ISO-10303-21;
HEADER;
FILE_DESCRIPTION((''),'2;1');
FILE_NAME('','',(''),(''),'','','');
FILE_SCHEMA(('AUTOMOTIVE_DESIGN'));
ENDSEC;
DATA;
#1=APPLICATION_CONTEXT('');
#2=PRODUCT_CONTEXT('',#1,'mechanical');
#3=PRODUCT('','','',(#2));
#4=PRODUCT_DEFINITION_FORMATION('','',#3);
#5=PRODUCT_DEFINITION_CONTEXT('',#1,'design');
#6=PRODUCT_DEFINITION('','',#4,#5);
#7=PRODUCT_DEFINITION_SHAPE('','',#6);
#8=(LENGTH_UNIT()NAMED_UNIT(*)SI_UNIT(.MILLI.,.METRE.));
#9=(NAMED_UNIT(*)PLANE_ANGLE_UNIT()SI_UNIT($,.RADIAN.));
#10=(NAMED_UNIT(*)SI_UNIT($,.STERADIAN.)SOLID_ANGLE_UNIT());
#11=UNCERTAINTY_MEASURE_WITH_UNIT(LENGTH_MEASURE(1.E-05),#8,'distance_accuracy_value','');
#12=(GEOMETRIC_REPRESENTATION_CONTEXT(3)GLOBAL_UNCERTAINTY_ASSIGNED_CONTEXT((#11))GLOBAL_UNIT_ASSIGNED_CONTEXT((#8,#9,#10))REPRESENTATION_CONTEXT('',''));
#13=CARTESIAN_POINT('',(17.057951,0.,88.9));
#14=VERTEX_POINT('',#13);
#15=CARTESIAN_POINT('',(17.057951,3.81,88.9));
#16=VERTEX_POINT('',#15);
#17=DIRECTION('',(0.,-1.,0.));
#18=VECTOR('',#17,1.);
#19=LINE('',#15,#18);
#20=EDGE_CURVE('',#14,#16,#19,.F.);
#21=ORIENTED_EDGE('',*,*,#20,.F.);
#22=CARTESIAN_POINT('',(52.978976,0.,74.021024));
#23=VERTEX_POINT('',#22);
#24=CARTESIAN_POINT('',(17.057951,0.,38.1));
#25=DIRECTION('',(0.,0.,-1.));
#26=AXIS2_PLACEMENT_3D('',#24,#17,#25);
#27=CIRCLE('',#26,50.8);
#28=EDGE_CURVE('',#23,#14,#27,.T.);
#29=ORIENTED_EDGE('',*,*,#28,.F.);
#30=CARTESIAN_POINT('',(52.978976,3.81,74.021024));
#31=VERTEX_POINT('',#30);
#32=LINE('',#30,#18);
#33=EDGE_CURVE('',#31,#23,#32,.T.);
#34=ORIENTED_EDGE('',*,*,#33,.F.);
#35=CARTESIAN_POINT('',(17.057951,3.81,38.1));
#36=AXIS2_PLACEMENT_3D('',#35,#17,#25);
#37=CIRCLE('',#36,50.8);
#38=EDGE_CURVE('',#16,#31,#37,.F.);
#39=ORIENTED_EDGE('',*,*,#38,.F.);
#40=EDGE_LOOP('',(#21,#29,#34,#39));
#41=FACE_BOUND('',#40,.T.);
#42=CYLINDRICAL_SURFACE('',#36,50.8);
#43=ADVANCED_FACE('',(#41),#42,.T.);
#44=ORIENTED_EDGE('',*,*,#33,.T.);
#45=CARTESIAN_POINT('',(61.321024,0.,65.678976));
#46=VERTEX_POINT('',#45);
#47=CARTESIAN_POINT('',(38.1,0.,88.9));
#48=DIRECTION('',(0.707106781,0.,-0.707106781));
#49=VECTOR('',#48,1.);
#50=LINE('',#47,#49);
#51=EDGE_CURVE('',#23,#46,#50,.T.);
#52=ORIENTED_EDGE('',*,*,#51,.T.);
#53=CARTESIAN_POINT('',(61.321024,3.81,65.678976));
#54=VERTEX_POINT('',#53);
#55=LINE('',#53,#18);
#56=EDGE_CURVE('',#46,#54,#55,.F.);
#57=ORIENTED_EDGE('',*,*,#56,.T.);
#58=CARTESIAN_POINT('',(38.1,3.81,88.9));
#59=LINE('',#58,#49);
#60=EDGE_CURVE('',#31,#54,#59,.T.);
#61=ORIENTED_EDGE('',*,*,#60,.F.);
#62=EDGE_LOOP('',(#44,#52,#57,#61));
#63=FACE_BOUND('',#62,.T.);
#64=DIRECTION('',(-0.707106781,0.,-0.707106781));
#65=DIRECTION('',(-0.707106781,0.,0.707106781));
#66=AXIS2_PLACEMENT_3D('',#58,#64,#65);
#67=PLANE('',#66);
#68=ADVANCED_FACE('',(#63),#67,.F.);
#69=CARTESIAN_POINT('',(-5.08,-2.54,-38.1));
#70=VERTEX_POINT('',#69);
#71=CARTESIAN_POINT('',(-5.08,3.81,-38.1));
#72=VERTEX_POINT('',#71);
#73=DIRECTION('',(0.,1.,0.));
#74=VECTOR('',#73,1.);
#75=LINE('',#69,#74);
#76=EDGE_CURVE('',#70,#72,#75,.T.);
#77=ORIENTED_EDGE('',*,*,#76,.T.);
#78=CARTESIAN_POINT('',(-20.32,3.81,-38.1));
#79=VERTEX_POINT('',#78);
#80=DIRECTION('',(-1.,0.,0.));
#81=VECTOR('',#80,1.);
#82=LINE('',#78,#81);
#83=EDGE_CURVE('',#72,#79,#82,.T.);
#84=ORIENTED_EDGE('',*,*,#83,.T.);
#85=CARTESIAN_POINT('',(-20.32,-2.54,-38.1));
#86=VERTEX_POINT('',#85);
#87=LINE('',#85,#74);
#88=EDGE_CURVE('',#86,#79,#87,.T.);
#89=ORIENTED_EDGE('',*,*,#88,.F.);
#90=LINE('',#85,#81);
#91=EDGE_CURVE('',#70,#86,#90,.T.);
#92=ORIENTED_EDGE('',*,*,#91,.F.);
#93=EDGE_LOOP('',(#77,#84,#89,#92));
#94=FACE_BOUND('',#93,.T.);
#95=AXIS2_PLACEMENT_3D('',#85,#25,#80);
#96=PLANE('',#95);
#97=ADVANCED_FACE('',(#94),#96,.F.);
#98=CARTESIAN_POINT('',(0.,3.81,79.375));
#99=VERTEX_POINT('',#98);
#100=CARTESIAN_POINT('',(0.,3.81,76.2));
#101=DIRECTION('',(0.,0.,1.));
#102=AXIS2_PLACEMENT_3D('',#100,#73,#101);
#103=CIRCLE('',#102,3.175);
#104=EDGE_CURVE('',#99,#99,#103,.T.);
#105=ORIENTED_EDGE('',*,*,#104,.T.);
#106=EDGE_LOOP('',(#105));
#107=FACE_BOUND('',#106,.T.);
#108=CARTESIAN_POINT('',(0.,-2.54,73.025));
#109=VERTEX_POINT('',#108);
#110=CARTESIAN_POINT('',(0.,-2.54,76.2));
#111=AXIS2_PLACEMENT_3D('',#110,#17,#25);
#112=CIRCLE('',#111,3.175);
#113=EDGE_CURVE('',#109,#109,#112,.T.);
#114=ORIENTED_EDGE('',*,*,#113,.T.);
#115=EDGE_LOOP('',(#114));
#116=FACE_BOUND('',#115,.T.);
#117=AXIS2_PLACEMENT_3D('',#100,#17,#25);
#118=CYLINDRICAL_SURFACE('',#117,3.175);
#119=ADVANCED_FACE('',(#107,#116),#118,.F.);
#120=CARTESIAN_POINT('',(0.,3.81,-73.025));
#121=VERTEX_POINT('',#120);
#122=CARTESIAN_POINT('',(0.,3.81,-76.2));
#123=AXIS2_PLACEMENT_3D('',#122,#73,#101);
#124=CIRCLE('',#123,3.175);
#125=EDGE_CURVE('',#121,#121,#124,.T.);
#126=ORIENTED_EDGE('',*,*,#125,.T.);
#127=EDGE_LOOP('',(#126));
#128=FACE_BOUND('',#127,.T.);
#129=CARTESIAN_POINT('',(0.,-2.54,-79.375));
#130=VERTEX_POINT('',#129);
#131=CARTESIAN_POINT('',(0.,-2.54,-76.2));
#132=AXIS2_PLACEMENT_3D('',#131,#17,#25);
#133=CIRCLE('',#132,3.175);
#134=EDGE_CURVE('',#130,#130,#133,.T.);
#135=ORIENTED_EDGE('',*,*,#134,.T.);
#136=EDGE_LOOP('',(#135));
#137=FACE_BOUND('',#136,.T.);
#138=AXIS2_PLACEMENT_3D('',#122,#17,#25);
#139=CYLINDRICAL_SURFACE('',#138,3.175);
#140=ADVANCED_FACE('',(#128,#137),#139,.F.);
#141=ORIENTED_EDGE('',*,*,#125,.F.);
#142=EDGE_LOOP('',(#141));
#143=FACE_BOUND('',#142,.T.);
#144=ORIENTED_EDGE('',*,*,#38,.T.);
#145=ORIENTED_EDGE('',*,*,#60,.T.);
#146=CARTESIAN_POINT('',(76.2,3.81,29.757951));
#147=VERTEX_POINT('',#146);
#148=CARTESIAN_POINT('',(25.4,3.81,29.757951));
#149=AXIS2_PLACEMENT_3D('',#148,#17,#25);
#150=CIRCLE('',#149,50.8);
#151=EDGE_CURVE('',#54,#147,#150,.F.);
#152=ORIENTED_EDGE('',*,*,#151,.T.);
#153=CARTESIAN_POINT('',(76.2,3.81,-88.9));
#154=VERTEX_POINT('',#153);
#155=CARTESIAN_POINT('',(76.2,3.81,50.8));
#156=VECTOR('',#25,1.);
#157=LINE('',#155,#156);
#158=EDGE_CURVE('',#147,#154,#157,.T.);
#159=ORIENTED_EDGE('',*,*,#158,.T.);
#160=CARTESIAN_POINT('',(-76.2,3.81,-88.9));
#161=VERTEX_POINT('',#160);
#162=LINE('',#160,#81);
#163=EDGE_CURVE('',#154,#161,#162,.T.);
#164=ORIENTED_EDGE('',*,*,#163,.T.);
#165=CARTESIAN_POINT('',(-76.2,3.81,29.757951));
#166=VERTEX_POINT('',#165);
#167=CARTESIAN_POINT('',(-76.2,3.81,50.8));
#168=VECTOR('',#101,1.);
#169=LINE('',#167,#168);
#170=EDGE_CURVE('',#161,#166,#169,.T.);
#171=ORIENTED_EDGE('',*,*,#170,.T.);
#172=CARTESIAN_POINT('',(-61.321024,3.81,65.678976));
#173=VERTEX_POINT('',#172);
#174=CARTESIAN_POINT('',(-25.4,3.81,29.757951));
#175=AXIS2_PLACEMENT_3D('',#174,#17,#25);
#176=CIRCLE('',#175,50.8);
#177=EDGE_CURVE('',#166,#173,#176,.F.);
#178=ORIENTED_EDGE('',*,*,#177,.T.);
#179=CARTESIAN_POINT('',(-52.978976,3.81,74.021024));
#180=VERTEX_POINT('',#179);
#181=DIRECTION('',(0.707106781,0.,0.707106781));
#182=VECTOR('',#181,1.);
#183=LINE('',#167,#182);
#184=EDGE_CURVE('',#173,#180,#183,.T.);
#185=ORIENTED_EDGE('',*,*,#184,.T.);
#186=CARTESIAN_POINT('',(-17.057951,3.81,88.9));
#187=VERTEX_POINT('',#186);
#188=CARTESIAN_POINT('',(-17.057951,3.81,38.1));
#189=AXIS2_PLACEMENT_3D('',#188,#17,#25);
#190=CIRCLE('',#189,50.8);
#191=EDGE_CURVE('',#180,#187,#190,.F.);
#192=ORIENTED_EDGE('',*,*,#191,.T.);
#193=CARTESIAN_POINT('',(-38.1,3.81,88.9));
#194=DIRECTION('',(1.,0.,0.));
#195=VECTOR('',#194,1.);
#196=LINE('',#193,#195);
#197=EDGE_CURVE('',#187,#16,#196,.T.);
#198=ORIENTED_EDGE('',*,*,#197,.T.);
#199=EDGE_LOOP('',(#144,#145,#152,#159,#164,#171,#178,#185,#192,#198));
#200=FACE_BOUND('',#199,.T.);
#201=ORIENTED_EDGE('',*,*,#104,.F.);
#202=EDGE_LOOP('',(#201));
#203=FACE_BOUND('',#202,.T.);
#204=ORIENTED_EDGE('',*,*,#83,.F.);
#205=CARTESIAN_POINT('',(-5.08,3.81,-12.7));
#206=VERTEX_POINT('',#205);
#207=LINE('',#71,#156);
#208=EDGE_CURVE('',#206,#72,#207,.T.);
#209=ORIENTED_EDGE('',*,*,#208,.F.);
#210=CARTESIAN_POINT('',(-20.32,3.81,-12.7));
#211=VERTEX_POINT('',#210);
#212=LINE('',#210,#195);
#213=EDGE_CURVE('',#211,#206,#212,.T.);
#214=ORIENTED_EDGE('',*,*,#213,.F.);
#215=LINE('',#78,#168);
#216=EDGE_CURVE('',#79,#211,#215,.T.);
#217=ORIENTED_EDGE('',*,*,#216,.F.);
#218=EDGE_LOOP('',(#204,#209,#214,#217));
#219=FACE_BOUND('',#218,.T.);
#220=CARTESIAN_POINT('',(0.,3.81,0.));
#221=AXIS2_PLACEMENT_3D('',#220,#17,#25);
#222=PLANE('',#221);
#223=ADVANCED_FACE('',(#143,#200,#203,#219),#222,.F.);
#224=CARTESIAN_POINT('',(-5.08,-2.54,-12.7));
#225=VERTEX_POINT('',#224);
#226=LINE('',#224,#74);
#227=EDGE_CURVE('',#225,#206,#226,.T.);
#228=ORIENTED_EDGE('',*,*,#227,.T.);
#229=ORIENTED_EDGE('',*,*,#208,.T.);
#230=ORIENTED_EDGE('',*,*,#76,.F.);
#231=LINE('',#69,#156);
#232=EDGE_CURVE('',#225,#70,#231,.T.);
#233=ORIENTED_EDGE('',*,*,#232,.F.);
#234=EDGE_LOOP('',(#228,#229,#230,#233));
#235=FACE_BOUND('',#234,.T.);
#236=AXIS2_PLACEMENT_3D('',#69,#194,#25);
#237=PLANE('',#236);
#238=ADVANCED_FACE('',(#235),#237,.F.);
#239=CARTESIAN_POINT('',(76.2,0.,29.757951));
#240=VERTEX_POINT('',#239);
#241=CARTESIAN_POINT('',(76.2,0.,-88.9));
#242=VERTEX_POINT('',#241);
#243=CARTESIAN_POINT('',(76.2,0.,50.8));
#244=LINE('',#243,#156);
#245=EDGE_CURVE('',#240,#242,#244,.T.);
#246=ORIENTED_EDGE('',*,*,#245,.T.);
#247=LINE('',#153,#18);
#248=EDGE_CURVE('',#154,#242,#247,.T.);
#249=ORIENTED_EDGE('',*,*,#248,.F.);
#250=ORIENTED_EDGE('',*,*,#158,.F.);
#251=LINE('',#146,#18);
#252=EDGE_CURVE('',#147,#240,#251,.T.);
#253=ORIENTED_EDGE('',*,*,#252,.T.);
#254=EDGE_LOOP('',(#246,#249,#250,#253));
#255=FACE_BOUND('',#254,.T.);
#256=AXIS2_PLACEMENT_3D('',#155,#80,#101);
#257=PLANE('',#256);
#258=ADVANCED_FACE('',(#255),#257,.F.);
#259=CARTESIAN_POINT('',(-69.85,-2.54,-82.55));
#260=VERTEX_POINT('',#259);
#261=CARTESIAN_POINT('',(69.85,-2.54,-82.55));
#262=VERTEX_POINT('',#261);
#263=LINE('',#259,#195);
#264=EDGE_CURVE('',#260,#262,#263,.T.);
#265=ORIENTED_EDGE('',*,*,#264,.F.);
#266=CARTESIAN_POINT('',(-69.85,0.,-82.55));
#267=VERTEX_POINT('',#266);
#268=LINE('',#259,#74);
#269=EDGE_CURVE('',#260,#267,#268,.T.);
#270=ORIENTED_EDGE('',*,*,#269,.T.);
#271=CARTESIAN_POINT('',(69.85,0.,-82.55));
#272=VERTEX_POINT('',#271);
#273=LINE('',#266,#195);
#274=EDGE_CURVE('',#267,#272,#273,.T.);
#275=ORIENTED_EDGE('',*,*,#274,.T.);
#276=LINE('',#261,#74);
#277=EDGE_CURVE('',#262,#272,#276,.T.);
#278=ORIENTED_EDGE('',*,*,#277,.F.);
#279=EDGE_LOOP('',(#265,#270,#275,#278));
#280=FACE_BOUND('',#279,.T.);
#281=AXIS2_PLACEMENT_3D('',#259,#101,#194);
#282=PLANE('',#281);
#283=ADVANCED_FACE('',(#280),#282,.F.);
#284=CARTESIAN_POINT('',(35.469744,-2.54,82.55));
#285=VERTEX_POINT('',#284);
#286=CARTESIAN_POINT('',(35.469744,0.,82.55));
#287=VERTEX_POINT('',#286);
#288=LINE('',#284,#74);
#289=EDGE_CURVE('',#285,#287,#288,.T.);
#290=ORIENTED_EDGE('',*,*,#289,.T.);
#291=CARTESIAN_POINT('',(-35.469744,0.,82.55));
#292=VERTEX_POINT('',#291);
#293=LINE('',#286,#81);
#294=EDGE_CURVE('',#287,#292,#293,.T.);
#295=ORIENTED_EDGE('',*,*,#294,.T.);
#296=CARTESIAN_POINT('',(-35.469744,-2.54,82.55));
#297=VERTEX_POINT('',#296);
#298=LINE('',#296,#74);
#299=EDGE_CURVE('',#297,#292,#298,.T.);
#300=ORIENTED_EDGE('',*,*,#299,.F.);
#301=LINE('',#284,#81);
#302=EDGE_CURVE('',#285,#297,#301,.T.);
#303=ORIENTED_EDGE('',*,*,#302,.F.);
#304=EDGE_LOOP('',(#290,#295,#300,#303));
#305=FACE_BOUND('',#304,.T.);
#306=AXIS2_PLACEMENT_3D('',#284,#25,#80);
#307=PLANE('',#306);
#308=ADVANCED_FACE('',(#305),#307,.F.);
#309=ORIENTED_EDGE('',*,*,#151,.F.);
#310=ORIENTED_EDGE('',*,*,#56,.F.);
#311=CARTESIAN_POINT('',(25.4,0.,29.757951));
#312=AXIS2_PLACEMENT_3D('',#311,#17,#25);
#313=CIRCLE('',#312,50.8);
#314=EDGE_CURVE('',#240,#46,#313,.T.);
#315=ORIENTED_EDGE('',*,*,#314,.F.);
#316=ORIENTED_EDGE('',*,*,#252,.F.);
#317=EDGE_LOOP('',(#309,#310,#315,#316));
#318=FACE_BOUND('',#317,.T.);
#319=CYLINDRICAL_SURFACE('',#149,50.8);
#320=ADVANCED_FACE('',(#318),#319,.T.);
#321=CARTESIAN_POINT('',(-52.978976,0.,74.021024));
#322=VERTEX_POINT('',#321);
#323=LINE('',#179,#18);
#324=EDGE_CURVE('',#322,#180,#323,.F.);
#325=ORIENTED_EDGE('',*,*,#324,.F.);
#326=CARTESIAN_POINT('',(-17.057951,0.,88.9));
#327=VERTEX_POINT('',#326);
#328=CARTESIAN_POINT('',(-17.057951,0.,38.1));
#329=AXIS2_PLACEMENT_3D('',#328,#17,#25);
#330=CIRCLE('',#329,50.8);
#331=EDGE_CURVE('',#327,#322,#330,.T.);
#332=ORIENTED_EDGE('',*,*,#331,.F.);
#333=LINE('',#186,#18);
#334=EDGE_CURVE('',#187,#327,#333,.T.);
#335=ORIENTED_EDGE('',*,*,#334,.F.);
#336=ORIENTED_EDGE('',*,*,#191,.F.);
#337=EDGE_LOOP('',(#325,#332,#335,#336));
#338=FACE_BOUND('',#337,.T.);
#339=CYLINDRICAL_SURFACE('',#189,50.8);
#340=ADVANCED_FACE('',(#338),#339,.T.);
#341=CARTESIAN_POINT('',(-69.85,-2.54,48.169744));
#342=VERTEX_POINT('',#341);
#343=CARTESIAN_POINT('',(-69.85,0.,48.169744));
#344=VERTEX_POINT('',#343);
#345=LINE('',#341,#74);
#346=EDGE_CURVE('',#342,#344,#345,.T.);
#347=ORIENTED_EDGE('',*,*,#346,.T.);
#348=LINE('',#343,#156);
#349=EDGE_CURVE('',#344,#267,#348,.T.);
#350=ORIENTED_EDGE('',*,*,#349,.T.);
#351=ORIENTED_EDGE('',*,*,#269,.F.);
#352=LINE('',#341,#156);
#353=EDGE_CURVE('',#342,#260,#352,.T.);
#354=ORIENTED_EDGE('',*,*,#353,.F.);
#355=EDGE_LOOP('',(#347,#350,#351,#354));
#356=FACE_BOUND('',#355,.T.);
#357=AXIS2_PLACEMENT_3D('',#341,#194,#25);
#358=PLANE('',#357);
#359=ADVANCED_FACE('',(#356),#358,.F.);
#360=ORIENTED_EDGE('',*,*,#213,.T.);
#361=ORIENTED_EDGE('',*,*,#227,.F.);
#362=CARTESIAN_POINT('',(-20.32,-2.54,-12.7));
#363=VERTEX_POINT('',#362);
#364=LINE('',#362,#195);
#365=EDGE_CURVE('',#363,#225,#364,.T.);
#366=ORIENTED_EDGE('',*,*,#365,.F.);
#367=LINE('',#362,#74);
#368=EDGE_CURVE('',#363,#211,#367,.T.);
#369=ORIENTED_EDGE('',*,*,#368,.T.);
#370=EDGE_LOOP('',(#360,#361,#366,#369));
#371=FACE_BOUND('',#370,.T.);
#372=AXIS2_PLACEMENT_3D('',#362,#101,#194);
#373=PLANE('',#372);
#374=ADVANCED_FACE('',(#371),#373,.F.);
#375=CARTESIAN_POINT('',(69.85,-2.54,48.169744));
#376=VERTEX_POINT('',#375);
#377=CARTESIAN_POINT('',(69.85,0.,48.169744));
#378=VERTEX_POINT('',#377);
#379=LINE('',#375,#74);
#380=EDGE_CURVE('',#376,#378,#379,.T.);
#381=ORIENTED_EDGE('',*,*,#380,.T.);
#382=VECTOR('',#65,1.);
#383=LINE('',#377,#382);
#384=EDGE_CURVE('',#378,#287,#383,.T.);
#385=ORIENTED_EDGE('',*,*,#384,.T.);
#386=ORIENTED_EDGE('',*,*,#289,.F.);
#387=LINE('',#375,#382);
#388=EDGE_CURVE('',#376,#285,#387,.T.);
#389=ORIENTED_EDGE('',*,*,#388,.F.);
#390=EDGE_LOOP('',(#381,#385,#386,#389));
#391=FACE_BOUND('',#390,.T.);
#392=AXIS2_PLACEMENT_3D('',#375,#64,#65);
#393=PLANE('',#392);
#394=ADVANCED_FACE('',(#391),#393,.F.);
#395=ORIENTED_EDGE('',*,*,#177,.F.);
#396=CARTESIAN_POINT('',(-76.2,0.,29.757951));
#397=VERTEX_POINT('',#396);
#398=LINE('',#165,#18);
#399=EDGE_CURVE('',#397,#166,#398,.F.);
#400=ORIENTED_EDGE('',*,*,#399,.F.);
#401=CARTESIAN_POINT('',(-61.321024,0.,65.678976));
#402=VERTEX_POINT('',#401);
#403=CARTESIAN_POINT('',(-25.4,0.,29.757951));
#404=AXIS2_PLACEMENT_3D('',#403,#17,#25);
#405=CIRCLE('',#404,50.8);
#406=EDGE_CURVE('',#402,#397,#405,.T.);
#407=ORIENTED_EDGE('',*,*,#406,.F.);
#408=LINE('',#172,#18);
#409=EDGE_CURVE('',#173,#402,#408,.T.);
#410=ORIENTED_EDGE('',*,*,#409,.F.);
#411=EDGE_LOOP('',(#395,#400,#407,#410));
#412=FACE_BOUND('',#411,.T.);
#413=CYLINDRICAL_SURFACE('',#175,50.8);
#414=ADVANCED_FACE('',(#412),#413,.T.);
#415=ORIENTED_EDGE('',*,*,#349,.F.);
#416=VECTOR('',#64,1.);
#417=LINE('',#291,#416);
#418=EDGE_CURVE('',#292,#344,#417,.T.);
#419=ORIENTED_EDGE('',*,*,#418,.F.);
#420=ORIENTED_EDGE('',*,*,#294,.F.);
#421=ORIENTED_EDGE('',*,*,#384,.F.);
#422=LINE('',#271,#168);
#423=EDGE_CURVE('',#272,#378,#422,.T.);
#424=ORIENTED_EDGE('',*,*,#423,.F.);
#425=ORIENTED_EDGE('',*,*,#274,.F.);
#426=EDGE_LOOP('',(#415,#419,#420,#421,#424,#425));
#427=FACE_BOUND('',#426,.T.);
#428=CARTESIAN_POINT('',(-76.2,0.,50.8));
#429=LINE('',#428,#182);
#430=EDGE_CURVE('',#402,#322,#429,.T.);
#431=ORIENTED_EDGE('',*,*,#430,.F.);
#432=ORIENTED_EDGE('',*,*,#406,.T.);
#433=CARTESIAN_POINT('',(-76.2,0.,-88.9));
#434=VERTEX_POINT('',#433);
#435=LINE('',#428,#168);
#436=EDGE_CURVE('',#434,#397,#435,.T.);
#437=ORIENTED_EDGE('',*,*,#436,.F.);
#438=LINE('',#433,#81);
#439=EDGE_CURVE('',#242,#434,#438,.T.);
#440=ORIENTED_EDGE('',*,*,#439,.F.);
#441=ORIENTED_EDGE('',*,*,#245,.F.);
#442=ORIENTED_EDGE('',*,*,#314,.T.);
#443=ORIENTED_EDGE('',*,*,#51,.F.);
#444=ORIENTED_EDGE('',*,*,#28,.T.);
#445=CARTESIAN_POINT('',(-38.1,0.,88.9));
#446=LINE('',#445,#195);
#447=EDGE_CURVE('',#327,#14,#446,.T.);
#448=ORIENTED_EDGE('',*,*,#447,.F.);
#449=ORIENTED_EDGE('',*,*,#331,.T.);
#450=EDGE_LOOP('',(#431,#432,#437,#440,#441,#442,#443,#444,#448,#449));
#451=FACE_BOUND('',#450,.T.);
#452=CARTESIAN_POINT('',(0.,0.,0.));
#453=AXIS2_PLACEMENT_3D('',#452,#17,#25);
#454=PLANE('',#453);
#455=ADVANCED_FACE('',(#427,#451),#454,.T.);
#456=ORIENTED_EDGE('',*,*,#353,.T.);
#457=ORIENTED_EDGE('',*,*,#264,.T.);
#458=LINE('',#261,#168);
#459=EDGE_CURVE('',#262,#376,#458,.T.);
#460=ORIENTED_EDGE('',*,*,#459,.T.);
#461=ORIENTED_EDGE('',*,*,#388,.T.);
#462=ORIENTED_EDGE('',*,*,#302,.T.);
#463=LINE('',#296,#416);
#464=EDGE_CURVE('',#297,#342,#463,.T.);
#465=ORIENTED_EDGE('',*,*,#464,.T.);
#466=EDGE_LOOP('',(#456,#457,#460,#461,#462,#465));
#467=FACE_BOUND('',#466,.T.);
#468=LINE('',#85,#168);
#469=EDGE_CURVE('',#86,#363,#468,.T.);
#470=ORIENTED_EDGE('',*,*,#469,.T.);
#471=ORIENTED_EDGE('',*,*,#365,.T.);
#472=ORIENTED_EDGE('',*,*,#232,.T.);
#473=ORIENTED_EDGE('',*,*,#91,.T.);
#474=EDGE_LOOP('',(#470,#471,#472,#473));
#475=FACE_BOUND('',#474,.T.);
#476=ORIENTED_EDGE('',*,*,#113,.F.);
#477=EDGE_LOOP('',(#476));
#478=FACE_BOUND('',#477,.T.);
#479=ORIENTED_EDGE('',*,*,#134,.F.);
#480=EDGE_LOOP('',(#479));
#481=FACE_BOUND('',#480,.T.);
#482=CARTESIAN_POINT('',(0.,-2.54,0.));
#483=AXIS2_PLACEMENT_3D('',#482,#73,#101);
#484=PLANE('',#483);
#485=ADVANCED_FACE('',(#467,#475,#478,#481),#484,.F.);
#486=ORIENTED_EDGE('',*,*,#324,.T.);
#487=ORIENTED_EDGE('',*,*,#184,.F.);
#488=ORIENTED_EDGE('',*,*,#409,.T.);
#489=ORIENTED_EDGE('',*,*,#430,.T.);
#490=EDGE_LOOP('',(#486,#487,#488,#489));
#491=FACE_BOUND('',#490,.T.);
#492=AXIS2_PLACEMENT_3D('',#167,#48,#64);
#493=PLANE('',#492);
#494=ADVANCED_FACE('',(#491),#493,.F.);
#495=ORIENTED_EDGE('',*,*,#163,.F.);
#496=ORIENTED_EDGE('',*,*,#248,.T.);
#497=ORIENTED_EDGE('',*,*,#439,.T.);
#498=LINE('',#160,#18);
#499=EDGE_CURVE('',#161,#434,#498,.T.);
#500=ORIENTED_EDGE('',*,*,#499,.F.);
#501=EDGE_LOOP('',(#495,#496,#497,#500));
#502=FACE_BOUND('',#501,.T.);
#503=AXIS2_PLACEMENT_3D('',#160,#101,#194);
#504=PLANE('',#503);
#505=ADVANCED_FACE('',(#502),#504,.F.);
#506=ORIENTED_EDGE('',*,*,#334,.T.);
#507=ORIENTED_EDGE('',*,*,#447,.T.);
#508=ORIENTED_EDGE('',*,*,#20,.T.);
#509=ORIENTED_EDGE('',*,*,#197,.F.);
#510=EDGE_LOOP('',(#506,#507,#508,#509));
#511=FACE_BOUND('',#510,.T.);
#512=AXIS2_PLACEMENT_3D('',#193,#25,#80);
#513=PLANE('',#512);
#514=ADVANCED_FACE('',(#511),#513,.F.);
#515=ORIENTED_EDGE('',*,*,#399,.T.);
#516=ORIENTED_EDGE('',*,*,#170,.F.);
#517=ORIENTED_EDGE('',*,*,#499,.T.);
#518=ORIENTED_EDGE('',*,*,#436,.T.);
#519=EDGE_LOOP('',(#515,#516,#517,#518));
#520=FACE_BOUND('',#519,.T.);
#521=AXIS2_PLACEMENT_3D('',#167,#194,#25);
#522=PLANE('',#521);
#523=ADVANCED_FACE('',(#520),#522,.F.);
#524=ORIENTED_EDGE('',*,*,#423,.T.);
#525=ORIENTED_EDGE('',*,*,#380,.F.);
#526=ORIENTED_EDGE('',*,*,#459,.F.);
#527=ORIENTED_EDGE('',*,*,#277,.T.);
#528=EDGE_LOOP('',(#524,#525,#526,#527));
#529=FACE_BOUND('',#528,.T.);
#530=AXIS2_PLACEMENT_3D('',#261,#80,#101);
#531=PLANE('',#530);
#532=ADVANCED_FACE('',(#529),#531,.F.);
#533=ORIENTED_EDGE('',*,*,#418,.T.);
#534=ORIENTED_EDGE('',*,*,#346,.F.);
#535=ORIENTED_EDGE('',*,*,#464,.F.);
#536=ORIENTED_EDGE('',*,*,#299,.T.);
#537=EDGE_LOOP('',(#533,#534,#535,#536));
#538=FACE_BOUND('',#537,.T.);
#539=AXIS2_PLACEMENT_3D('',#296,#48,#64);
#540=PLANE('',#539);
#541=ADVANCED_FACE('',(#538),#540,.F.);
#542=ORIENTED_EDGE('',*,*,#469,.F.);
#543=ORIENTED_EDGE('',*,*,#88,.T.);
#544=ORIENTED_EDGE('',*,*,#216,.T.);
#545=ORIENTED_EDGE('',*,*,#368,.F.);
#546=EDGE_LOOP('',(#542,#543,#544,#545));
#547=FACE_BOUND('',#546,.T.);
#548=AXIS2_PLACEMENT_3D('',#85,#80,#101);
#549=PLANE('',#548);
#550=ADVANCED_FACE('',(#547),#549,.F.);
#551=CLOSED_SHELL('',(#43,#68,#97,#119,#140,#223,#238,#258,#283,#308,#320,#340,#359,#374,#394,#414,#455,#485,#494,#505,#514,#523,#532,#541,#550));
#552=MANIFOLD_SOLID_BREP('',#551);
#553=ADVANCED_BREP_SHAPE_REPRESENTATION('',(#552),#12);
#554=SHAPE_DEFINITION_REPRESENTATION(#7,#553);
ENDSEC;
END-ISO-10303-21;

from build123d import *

# Parameters (mm, degrees)
SKETCH1_R           = 3.175
BOSS_EXTRUDE1_DEPTH = 3.81
SKETCH2_R           = 3.175
BOSS_EXTRUDE2_DEPTH = 2.54
FILLET1_R           = 50.8
SKETCH3_W           = 15.24
SKETCH3_H           = 25.4
CUT_EXTRUDE1_DEPTH  = 7.35


with BuildPart() as part:
    # Sketch1 → Boss-Extrude1 (new body)
    with BuildSketch(Plane(origin=(0, 0, 0), x_dir=(1, 0, 0), z_dir=(0, 1, 0))):
        Polygon((-76.2, -50.8), (-38.1, -88.9), (38.1, -88.9), (76.2, -50.8), (76.2, 88.9), (-76.2, 88.9), align=None)
        with Locations((0, 76.2)):
            Circle(SKETCH1_R, mode=Mode.SUBTRACT)
        with Locations((0, -76.2)):
            Circle(SKETCH1_R, mode=Mode.SUBTRACT)
    extrude(amount=BOSS_EXTRUDE1_DEPTH)

    # Sketch2 → Boss-Extrude2 (add)
    with BuildSketch(Plane.XZ):
        Polygon((-69.85, 48.169743879), (-69.85, -82.55), (69.85, -82.55), (69.85, 48.169743879), (35.469743879, 82.55), (-35.469743879, 82.55), align=None)
        with Locations((0, 76.2)):
            Circle(SKETCH2_R, mode=Mode.SUBTRACT)
        with Locations((0, -76.2)):
            Circle(SKETCH2_R, mode=Mode.SUBTRACT)
    extrude(amount=BOSS_EXTRUDE2_DEPTH)

    # Fillet1
    fillet1_edges = [part.edges().sort_by_distance(p)[0] for p in [
        (76.2, 1.905, 50.8),
        (38.1, 1.905, 88.9),
        (-38.1, 1.905, 88.9),
        (-76.2, 1.905, 50.8),
    ]]
    fillet(fillet1_edges, radius=FILLET1_R)

    # Sketch3 → Cut-Extrude1 (cut, through all)
    with BuildSketch(Plane(origin=(0, 3.81, 0), x_dir=(1, 0, 0), z_dir=(0, 1, 0))):
        with Locations((-12.7, 25.4)):
            Rectangle(SKETCH3_W, SKETCH3_H)
    extrude(amount=-CUT_EXTRUDE1_DEPTH, mode=Mode.SUBTRACT)


solid = part.part
